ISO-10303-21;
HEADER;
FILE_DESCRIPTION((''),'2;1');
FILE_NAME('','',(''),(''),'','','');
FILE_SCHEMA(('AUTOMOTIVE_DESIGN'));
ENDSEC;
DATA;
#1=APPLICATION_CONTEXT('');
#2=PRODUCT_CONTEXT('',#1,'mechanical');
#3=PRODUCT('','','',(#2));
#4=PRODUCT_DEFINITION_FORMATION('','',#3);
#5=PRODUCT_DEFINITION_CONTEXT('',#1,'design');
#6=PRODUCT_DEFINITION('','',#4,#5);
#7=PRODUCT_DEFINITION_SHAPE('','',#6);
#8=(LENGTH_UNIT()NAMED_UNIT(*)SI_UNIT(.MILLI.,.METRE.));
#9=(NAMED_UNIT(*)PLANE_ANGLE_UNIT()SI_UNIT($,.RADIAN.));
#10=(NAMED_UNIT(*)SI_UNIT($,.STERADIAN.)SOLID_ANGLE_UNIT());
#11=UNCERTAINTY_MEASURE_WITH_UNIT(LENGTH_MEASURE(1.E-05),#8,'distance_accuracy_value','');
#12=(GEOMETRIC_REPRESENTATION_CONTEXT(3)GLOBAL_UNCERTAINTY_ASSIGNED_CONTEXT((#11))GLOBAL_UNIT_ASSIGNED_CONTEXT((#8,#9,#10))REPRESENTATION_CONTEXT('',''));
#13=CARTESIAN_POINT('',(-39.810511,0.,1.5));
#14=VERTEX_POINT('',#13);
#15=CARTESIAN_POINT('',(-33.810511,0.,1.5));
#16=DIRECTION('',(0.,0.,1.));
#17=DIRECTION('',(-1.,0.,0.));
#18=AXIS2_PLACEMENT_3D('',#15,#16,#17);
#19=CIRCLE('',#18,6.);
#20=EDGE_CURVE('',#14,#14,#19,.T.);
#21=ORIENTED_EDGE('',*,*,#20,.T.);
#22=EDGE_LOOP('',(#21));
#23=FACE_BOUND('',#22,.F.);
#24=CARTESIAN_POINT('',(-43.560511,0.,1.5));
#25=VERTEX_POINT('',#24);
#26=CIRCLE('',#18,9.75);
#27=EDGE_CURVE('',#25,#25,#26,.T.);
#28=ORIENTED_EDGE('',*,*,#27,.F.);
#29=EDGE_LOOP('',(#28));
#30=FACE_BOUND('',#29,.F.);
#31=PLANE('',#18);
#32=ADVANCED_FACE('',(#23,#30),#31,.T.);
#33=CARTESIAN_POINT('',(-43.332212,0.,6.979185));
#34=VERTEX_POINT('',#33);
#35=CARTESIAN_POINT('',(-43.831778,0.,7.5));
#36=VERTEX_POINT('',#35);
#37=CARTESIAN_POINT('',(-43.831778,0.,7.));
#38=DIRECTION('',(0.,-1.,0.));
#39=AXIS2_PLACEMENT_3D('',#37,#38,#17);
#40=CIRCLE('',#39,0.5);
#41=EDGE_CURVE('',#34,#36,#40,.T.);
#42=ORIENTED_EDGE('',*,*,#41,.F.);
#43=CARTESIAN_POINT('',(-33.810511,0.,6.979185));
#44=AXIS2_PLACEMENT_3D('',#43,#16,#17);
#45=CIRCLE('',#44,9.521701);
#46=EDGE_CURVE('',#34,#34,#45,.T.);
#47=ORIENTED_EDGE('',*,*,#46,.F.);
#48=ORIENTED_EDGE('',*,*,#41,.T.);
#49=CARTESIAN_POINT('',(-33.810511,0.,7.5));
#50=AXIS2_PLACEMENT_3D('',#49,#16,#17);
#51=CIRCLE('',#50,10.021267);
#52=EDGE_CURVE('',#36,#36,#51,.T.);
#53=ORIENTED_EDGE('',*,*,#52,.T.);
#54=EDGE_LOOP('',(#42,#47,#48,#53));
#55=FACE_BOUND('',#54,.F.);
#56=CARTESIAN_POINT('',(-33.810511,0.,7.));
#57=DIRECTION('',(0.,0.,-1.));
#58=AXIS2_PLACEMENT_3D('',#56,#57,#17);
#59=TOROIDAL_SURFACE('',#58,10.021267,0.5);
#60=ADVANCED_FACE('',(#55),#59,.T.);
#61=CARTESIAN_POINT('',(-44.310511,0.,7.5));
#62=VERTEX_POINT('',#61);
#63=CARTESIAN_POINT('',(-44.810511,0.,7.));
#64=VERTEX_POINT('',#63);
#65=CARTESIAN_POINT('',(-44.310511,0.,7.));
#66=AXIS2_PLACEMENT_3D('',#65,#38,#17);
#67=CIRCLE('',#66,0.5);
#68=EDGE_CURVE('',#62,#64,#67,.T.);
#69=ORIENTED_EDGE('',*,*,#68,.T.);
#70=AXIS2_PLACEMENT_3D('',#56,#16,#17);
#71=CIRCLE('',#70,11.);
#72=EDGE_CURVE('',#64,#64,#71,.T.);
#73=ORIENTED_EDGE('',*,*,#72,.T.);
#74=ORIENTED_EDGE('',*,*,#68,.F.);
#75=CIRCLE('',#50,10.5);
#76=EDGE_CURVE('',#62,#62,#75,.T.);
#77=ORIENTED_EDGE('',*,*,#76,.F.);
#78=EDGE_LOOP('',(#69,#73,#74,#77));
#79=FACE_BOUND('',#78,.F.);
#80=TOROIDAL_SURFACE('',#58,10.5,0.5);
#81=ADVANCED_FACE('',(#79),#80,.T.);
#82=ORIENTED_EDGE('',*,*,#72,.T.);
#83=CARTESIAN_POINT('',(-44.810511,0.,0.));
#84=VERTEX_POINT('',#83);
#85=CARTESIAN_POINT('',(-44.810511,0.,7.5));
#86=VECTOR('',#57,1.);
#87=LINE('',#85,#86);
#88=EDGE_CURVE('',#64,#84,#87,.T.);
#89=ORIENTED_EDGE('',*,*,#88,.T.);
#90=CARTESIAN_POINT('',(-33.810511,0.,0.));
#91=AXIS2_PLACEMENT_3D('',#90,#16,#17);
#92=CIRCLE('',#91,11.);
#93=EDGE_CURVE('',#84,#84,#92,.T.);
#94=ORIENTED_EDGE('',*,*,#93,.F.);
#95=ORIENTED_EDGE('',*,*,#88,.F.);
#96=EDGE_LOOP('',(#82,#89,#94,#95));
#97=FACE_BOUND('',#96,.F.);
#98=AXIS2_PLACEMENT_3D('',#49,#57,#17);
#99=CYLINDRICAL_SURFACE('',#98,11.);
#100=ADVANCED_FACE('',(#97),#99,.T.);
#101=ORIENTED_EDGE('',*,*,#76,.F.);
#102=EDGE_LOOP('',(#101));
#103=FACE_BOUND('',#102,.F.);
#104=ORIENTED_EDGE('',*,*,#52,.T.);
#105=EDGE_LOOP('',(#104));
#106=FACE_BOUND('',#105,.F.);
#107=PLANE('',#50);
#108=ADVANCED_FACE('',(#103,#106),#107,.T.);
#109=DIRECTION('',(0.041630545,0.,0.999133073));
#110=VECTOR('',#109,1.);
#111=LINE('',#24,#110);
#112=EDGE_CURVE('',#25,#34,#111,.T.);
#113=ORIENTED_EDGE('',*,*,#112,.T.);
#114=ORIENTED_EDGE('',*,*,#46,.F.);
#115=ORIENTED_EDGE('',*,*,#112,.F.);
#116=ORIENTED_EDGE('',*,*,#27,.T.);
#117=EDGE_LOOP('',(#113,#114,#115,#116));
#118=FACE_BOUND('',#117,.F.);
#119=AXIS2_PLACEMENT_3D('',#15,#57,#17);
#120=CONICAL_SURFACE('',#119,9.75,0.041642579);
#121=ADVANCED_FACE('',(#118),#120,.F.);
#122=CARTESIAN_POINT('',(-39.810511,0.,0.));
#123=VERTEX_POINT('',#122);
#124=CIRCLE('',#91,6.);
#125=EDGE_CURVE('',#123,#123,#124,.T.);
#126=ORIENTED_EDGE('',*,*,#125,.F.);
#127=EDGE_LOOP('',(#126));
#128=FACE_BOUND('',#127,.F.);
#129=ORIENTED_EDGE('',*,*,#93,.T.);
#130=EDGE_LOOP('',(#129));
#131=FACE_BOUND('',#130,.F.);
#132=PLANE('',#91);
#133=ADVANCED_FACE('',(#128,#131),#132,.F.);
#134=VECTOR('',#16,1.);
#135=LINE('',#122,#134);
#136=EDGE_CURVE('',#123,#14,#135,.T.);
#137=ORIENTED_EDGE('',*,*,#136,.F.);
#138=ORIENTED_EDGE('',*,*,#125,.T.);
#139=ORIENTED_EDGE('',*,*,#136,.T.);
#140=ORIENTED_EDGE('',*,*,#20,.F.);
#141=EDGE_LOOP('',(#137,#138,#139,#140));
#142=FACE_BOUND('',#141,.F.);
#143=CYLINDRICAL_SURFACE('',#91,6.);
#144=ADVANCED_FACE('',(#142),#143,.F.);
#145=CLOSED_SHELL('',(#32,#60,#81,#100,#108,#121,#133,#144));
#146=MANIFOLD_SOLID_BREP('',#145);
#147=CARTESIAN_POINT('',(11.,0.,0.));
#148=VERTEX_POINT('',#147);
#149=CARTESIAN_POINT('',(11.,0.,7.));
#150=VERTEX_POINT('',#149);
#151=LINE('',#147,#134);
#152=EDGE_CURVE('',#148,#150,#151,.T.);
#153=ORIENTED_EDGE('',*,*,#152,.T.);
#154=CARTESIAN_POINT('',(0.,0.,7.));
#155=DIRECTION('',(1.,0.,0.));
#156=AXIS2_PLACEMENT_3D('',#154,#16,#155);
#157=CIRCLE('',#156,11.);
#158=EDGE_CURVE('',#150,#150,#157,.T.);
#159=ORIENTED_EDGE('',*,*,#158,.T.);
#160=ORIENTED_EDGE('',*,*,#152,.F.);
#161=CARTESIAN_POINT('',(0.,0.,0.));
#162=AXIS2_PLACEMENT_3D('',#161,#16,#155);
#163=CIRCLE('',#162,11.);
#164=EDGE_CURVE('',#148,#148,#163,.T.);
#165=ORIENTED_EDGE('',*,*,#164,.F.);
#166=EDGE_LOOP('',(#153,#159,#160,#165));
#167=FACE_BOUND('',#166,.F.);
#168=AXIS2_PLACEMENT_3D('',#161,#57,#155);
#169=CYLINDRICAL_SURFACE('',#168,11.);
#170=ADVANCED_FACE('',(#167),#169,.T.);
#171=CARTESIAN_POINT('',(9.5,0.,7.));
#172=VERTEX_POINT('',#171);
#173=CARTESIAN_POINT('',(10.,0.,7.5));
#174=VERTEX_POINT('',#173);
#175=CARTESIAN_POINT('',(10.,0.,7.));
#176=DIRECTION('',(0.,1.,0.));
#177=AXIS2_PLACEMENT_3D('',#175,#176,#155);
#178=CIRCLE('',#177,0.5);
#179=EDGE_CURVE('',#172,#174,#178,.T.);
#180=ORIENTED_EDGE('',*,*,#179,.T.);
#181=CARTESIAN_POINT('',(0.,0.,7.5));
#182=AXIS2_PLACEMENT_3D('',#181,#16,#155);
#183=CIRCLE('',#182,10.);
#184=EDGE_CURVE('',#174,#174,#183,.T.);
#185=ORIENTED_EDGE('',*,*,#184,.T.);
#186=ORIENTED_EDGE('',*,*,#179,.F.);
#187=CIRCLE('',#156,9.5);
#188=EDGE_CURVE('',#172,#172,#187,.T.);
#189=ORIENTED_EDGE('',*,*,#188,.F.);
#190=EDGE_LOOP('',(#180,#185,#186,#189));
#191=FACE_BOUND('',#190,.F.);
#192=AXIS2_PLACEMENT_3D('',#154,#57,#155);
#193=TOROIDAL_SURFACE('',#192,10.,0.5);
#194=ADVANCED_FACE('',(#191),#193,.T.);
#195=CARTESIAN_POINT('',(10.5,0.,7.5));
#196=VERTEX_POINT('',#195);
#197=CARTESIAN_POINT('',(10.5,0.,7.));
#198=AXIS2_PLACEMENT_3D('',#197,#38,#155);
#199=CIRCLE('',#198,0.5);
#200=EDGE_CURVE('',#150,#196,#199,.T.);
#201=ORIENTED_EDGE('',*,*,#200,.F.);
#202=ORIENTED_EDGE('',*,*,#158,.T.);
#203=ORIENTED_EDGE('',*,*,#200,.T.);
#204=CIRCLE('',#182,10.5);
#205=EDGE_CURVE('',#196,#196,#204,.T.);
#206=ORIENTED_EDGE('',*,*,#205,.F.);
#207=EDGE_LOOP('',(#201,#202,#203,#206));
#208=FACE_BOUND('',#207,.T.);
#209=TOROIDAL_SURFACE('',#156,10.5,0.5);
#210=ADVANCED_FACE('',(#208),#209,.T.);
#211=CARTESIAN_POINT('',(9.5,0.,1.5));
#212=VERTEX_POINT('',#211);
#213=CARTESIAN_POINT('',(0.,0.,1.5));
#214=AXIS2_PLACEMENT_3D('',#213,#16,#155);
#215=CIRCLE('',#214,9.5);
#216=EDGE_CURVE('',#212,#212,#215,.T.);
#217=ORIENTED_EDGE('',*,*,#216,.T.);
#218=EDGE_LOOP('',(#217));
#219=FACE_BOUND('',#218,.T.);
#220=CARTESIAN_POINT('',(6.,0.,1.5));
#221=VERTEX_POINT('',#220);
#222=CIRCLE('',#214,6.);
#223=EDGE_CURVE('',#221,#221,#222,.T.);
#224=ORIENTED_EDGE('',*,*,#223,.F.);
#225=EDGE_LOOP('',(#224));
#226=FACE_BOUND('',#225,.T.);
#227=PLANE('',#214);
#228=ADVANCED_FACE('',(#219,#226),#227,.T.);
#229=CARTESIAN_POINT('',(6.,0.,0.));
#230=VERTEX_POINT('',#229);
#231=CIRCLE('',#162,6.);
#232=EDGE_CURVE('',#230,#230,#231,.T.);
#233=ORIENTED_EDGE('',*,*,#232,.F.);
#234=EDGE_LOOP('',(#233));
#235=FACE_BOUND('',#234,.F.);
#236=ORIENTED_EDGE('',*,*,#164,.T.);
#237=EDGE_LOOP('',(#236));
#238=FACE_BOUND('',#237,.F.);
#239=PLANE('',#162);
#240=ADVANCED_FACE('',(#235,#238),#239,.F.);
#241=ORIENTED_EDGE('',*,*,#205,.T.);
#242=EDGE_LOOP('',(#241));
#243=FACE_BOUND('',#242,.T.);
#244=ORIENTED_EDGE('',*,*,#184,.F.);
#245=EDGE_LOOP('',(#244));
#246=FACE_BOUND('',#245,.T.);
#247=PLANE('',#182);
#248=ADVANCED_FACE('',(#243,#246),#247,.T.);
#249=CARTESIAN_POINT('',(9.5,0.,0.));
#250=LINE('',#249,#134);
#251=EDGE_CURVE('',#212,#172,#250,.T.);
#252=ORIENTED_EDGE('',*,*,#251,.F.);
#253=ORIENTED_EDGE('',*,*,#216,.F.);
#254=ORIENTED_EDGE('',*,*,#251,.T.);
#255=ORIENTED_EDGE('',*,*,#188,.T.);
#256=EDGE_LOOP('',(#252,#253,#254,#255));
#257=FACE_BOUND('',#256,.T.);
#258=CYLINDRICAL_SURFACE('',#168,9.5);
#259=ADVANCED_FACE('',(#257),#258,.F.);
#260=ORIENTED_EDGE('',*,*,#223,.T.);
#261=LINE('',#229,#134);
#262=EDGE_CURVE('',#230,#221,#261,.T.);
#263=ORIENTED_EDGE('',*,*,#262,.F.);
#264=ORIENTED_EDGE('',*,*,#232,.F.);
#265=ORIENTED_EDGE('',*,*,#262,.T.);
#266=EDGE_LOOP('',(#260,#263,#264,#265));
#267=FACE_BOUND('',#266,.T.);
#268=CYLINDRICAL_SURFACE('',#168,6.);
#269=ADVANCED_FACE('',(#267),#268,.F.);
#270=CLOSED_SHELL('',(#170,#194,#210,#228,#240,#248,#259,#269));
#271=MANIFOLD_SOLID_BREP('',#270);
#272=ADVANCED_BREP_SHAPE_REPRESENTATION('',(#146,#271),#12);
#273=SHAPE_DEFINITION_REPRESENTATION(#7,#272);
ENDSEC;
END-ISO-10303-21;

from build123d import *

# Parameters (mm, degrees)
F0_R     = 11
F0_R_2   = 9.5
F1_DEPTH = 7.5
F0_R_3   = 6
F2_DEPTH = 1.5
F3_R     = 0.5
F6_R     = 0.5


with BuildPart() as f1:
    # F0 (on Top) → F1 (new body)
    with BuildSketch(Plane.XY):
        Circle(F0_R)
        Circle(F0_R_2, mode=Mode.SUBTRACT)
    extrude(amount=F1_DEPTH)

    # F0 (on Top) → F2 (join)
    with BuildSketch(Plane.XY):
        Circle(F0_R_2)
        Circle(F0_R_3, mode=Mode.SUBTRACT)
    extrude(amount=F2_DEPTH)

    # F3
    f3_edges = [f1.edges().sort_by_distance(p)[0] for p in [
        (-11, 0, 7.5),
        (-9.5, 0, 7.5),
    ]]
    fillet(f3_edges, radius=F3_R)


with BuildPart() as f5:
    # F4 (on Front) → F5 (revolve)
    with BuildSketch(Plane.XZ):
        Polygon((-44.8105111718, 1.5), (-43.5605111718, 1.5), (-43.3105111718, 7.5), (-44.8105111718, 7.5), align=None)
        Polygon((-39.8105111718, 0), (-39.8105111718, 1.5), (-43.5605111718, 1.5), (-44.8105111718, 1.5), (-44.8105111718, 0), align=None)
    revolve(axis=Axis((-33.8105111718, 0, 3.75), (0, 0, 1)))

    # F6
    f6_edges = [f5.edges().sort_by_distance(p)[0] for p in [
        (-22.810511, 0, 7.5),
        (-24.310511, 0, 7.5),
    ]]
    fillet(f6_edges, radius=F6_R)


solid = Compound([f1.part, f5.part])
